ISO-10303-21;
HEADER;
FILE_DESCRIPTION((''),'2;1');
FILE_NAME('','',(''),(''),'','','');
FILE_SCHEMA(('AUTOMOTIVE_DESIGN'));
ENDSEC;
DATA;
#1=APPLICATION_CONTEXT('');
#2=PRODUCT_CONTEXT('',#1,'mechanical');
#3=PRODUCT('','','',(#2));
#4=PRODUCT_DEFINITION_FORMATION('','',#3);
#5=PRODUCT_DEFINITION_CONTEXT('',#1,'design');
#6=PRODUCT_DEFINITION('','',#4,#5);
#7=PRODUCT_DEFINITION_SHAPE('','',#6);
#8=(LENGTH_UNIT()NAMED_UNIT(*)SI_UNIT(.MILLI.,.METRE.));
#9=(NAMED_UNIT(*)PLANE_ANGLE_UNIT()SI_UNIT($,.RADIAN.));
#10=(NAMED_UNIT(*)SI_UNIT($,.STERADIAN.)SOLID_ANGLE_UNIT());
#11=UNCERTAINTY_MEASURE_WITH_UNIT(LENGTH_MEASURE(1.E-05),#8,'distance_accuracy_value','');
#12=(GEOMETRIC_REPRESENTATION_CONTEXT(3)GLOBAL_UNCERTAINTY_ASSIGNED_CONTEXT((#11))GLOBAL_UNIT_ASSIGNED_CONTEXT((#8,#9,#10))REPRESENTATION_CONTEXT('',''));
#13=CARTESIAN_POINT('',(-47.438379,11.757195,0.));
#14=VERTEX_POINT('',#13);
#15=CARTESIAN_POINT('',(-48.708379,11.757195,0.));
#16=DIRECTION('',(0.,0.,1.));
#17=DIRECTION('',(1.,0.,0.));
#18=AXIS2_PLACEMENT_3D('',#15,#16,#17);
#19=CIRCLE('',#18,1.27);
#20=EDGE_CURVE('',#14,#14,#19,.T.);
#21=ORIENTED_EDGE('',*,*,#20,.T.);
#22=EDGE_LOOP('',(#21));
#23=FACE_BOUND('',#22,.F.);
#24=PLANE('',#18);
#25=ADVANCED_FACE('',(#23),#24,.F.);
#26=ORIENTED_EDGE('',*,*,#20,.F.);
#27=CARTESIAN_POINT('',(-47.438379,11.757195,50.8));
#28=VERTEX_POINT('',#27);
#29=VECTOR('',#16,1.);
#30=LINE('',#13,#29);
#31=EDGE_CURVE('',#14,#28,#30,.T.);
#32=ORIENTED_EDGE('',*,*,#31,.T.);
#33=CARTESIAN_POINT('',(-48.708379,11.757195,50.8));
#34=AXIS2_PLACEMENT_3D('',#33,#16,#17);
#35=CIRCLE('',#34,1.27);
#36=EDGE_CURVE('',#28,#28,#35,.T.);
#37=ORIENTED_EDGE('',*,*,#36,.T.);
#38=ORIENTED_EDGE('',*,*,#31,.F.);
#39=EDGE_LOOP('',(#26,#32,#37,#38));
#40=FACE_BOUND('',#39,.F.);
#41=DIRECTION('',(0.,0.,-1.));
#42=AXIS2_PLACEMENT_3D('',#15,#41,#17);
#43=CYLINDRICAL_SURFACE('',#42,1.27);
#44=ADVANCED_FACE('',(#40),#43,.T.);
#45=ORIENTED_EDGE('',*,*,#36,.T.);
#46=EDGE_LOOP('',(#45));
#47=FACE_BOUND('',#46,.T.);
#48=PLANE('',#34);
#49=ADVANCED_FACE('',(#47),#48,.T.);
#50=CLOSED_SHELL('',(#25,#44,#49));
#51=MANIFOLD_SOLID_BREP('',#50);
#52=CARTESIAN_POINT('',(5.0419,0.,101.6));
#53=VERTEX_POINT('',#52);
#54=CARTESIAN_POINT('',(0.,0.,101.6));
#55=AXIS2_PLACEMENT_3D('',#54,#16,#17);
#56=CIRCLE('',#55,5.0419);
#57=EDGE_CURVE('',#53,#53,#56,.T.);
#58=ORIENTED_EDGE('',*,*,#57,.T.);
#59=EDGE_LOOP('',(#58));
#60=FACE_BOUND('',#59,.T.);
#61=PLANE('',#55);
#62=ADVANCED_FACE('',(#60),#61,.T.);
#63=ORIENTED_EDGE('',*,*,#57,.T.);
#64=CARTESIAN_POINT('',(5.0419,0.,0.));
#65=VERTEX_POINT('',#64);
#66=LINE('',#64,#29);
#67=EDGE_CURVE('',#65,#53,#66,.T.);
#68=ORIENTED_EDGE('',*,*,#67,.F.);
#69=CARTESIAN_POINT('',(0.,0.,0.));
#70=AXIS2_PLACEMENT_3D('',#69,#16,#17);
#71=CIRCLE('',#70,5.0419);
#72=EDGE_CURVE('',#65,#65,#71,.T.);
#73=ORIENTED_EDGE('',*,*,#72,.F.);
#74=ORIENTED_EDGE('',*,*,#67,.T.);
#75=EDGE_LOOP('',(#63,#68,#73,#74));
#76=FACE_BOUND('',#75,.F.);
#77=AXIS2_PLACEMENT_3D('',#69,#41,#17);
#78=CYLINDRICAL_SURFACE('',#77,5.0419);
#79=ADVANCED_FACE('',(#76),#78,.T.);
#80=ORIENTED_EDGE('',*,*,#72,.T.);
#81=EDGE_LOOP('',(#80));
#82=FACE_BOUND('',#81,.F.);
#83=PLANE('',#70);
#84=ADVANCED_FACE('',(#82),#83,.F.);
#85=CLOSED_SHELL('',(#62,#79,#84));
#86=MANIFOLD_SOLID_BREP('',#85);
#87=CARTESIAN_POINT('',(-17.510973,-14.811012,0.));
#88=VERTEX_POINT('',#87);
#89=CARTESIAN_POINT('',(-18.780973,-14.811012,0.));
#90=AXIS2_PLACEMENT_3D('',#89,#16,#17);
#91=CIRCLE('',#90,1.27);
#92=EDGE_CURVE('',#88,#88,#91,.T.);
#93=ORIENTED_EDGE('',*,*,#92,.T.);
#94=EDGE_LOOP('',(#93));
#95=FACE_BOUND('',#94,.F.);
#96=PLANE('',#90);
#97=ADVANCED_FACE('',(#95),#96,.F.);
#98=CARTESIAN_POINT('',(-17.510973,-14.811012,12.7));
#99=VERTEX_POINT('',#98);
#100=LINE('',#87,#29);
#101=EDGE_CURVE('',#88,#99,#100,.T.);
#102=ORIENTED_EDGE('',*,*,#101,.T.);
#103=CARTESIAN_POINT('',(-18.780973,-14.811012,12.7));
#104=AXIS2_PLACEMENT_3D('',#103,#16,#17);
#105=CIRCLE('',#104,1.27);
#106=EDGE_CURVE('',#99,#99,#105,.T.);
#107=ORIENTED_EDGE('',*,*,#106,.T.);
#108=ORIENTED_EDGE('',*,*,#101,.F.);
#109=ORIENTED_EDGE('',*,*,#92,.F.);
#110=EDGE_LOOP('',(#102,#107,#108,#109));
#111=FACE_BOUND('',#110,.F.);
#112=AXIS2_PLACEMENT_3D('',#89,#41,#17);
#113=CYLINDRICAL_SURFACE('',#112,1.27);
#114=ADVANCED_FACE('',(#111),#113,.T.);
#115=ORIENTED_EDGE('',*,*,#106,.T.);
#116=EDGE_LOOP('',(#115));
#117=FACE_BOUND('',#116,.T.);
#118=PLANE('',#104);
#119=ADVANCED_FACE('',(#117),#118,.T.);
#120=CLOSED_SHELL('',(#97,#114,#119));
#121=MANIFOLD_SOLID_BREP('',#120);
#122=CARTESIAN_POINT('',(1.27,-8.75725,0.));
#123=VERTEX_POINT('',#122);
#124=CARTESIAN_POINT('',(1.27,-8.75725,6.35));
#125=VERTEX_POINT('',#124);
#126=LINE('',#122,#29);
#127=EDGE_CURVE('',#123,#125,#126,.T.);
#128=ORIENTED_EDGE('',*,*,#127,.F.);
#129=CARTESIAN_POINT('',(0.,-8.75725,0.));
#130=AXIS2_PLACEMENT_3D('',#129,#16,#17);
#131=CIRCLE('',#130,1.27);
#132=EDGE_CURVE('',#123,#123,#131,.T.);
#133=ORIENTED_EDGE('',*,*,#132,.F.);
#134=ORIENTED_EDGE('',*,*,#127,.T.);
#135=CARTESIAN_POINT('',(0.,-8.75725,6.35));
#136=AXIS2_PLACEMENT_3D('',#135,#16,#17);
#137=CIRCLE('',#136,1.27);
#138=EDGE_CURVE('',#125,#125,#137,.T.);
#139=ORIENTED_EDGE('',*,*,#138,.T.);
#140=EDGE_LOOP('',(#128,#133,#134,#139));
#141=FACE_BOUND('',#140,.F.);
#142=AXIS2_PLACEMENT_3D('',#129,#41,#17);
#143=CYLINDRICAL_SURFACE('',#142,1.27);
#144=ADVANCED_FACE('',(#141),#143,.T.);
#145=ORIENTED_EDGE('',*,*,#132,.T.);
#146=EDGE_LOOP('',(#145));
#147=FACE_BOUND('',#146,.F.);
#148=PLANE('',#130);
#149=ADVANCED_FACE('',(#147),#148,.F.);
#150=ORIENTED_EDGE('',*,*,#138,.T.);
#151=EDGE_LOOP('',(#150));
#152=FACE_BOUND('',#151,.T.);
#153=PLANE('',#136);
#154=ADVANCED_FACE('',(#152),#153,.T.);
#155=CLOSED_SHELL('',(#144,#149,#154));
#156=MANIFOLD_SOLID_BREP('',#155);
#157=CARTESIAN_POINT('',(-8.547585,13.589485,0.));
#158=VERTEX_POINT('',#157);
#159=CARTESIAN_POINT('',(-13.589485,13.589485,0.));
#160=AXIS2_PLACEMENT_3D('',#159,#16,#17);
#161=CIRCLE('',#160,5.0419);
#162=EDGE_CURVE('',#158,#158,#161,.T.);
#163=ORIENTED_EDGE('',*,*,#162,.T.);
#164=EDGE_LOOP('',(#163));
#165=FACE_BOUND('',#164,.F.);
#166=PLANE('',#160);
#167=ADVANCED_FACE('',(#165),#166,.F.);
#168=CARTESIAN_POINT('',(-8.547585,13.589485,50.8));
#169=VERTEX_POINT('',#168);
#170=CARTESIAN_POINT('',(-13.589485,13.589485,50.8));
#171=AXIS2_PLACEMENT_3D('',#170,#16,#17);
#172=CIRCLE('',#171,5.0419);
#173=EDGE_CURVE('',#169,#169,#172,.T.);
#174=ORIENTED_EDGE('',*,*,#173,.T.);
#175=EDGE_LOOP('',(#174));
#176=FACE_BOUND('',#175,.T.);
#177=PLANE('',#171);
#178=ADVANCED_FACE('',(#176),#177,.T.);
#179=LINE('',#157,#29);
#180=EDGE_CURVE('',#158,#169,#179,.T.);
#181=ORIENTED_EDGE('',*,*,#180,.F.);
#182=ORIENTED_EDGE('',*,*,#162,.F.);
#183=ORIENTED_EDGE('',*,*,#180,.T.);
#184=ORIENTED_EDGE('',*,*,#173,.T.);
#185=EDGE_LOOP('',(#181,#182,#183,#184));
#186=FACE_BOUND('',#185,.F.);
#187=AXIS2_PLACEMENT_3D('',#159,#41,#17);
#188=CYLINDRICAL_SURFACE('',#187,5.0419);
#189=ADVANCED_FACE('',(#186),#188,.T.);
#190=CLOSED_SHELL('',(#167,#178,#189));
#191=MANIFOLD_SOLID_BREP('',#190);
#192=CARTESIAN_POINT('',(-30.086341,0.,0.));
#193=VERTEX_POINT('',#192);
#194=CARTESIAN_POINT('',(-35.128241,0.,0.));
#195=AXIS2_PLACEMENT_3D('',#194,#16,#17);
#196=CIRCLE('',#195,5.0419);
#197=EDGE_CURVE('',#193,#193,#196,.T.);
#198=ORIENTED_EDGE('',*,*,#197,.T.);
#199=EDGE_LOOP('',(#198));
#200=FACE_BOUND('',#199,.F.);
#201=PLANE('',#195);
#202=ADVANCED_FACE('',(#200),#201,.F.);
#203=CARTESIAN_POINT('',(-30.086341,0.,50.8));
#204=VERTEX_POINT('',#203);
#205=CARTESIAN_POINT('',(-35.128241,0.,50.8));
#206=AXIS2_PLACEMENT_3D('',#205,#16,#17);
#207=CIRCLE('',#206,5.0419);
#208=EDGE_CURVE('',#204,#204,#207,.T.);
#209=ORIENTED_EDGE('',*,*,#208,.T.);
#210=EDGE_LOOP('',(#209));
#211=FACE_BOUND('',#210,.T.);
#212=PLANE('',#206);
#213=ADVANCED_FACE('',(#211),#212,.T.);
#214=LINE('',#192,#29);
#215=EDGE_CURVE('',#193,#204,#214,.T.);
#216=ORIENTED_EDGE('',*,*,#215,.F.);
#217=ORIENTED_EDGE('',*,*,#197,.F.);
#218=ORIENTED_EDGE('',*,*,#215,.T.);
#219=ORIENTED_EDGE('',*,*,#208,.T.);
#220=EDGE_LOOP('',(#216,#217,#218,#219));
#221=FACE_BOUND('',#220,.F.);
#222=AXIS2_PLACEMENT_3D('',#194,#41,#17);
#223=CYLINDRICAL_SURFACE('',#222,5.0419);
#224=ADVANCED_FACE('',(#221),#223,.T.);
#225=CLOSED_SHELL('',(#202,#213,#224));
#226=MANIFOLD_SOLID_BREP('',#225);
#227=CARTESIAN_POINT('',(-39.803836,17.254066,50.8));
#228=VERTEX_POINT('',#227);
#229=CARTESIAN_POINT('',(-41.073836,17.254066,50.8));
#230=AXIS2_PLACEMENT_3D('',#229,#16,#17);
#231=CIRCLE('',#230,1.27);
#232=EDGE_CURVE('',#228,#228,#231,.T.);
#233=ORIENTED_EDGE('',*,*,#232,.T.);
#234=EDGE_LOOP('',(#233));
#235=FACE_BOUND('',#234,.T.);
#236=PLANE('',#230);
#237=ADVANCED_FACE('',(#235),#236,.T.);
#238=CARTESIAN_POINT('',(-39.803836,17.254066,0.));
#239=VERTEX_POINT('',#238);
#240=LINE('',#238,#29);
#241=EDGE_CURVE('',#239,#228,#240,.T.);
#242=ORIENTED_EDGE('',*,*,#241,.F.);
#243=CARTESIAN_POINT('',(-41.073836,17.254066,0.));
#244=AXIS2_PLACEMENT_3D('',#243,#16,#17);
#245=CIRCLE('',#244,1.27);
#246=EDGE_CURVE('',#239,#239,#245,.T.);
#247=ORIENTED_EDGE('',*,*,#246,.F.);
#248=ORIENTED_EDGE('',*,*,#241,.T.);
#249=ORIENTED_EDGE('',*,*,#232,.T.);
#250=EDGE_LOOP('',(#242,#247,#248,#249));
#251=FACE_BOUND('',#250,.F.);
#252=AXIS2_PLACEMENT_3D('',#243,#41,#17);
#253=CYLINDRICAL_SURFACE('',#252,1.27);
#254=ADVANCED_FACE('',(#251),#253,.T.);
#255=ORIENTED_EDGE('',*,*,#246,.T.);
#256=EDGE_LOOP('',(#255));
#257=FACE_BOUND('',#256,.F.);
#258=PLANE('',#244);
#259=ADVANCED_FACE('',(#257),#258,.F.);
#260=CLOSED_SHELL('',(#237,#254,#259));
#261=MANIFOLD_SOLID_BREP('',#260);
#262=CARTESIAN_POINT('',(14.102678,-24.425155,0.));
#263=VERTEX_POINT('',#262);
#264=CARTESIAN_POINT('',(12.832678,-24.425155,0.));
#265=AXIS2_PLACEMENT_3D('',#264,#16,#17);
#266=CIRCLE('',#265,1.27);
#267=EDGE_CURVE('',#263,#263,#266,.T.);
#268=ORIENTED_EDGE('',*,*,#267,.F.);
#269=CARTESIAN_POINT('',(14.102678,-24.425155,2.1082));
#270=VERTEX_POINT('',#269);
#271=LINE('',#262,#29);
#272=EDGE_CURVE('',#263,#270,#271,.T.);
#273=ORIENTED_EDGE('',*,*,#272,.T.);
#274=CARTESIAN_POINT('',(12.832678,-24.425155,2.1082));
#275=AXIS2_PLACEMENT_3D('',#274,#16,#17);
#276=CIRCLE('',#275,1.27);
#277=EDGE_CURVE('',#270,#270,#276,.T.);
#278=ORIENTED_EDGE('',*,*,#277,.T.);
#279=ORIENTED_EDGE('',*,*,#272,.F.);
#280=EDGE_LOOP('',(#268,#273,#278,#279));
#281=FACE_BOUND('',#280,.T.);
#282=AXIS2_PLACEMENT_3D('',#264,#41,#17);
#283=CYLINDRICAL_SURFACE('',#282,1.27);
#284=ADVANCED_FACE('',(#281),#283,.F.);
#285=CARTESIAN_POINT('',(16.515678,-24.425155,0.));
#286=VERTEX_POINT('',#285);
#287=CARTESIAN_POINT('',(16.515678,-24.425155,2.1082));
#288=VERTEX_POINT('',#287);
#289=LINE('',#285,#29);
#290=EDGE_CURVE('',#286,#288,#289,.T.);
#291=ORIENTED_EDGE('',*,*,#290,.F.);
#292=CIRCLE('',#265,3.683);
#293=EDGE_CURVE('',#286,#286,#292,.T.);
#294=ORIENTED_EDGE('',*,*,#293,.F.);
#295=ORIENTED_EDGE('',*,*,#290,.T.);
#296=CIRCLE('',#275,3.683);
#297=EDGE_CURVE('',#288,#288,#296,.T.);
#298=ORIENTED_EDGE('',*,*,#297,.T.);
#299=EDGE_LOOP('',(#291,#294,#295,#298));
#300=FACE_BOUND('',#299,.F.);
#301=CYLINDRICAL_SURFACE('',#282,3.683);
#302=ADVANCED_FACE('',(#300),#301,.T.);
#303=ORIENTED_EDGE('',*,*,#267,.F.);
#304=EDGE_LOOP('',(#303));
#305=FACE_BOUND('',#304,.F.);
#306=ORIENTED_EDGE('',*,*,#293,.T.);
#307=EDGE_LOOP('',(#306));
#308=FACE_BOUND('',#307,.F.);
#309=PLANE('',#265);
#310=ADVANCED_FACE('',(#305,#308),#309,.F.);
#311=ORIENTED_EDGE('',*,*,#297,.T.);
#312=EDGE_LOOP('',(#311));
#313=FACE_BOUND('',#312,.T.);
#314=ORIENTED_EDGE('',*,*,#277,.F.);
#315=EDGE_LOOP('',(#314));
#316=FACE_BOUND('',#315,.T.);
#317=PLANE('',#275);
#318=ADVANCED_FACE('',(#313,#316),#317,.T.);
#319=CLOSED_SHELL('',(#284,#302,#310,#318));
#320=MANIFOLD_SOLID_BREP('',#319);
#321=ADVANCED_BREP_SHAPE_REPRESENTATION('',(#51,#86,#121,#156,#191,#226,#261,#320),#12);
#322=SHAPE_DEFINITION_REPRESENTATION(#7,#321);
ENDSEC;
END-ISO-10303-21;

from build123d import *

# Parameters (mm, degrees)
F0_R     = 5.0419
F1_DEPTH = 101.6
F2_R     = 5.0419
F2_R_2   = 1.27
F3_DEPTH = 50.8
F4_R     = 1.27
F5_DEPTH = 6.35
F6_R     = 3.683
F6_R_2   = 1.27
F7_DEPTH = 2.1082
F8_R     = 1.27
F9_DEPTH = 12.7


with BuildPart() as f1:
    # F0 (on Top) → F1 (new body)
    with BuildSketch(Plane.XY):
        Circle(F0_R)
    extrude(amount=F1_DEPTH)


with BuildPart() as f3:
    # F2 (on Top) → F3 (new body)
    with BuildSketch(Plane.XY):
        with Locations((-35.128241, 0)):
            Circle(F2_R)
        with Locations((-13.589485, 13.589485)):
            Circle(F2_R)
        with Locations((-41.073836, 17.254066)):
            Circle(F2_R_2)
        with Locations((-48.708379, 11.757195)):
            Circle(F2_R_2)
    extrude(amount=F3_DEPTH)


with BuildPart() as f5:
    # F4 (on Top) → F5 (new body)
    with BuildSketch(Plane.XY):
        with Locations((0, -8.75725)):
            Circle(F4_R)
    extrude(amount=F5_DEPTH)


with BuildPart() as f7:
    # F6 (on Top) → F7 (new body)
    with BuildSketch(Plane.XY):
        with Locations((12.832678, -24.425155)):
            Circle(F6_R)
        with Locations((12.832678, -24.425155)):
            Circle(F6_R_2, mode=Mode.SUBTRACT)
    extrude(amount=F7_DEPTH)


with BuildPart() as f9:
    # F8 (on Top) → F9 (new body)
    with BuildSketch(Plane.XY):
        with Locations((-18.780973, -14.811012)):
            Circle(F8_R)
    extrude(amount=F9_DEPTH)


solid = Compound([f1.part, f3.part, f5.part, f7.part, f9.part])
